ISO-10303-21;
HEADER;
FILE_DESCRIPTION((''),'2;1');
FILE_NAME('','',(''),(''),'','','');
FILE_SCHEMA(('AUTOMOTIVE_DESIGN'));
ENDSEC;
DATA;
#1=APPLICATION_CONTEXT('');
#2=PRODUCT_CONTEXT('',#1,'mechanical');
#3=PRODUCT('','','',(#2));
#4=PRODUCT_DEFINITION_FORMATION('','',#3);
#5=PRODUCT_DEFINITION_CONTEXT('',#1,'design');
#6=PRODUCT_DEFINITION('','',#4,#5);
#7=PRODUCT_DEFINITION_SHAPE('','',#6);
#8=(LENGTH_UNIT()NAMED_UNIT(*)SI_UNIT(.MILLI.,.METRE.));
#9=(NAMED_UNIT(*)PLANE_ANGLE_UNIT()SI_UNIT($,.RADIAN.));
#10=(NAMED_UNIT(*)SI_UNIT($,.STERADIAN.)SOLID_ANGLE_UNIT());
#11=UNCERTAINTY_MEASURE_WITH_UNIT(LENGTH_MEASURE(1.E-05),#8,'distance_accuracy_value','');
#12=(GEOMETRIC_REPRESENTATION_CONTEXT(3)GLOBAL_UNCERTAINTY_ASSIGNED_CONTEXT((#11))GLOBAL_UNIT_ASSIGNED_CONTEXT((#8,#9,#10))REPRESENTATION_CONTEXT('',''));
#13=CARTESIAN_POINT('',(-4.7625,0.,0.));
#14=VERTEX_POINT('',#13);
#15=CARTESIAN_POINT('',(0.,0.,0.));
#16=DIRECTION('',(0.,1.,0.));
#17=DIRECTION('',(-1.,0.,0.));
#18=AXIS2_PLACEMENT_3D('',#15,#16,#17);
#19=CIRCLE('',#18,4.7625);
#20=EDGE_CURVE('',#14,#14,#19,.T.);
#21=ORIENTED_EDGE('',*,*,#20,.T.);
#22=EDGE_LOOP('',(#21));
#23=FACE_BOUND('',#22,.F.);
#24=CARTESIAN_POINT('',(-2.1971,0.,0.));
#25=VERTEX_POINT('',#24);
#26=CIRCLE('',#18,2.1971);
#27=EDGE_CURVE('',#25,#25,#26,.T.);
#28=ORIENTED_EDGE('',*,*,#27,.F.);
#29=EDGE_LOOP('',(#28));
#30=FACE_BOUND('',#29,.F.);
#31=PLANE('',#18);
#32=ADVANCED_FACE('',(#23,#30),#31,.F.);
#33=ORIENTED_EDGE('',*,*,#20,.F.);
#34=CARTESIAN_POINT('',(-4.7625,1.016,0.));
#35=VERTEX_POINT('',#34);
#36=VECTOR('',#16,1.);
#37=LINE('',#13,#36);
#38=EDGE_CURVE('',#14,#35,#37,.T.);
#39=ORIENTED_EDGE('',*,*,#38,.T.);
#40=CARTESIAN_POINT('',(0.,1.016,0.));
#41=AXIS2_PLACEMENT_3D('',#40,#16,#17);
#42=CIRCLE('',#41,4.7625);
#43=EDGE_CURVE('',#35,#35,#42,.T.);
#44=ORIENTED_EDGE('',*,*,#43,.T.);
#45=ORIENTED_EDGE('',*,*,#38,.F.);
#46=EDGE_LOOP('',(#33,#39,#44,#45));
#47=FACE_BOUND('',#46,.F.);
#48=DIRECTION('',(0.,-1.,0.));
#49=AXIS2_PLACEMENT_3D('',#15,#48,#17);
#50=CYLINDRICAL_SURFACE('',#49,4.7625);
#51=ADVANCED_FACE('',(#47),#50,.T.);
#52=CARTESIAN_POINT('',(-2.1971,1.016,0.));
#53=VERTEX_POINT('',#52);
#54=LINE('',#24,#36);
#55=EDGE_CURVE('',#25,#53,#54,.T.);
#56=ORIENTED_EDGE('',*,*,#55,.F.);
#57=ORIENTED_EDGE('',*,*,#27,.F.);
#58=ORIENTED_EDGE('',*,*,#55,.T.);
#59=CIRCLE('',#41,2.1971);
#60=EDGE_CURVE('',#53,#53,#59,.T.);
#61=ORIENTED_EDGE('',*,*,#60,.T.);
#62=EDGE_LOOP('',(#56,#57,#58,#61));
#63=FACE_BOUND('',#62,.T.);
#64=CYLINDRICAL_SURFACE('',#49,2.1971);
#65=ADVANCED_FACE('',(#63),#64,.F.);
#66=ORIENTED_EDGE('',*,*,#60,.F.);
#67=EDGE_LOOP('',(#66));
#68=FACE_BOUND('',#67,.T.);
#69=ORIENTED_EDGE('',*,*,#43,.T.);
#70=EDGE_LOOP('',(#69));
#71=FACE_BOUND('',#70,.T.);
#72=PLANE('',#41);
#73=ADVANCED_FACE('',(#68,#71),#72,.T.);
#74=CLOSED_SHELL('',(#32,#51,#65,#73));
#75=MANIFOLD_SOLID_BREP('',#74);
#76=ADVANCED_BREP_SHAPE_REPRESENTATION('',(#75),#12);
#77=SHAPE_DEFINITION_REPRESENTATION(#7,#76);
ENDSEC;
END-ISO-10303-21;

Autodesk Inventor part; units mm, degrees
ref_plane "YZ Plane" through (0, 0, 0) normal (1, 0, 0) x (0, 1, 0)
ref_plane "XZ Plane" through (0, 0, 0) normal (0, 1, 0) x (-1, 0, 0)
ref_plane "XY Plane" through (0, 0, 0) normal (0, 0, 1) x (1, 0, 0)
sketch "Sketch1" plane through (0, 0, 0) normal (0, 1, 0) x (-1, 0, 0)
  circle A0 centre (0, 0) radius 2.1971
  circle A1 centre (0, 0) radius 4.7625
  dimension "d0" = 4.3942
  dimension "d1" = 9.525
extrude "Extrusion1" add sketch "Sketch1" along normal blind 1.016
properties part number "Teflon Washer-.04" material "ABS Plastic"
